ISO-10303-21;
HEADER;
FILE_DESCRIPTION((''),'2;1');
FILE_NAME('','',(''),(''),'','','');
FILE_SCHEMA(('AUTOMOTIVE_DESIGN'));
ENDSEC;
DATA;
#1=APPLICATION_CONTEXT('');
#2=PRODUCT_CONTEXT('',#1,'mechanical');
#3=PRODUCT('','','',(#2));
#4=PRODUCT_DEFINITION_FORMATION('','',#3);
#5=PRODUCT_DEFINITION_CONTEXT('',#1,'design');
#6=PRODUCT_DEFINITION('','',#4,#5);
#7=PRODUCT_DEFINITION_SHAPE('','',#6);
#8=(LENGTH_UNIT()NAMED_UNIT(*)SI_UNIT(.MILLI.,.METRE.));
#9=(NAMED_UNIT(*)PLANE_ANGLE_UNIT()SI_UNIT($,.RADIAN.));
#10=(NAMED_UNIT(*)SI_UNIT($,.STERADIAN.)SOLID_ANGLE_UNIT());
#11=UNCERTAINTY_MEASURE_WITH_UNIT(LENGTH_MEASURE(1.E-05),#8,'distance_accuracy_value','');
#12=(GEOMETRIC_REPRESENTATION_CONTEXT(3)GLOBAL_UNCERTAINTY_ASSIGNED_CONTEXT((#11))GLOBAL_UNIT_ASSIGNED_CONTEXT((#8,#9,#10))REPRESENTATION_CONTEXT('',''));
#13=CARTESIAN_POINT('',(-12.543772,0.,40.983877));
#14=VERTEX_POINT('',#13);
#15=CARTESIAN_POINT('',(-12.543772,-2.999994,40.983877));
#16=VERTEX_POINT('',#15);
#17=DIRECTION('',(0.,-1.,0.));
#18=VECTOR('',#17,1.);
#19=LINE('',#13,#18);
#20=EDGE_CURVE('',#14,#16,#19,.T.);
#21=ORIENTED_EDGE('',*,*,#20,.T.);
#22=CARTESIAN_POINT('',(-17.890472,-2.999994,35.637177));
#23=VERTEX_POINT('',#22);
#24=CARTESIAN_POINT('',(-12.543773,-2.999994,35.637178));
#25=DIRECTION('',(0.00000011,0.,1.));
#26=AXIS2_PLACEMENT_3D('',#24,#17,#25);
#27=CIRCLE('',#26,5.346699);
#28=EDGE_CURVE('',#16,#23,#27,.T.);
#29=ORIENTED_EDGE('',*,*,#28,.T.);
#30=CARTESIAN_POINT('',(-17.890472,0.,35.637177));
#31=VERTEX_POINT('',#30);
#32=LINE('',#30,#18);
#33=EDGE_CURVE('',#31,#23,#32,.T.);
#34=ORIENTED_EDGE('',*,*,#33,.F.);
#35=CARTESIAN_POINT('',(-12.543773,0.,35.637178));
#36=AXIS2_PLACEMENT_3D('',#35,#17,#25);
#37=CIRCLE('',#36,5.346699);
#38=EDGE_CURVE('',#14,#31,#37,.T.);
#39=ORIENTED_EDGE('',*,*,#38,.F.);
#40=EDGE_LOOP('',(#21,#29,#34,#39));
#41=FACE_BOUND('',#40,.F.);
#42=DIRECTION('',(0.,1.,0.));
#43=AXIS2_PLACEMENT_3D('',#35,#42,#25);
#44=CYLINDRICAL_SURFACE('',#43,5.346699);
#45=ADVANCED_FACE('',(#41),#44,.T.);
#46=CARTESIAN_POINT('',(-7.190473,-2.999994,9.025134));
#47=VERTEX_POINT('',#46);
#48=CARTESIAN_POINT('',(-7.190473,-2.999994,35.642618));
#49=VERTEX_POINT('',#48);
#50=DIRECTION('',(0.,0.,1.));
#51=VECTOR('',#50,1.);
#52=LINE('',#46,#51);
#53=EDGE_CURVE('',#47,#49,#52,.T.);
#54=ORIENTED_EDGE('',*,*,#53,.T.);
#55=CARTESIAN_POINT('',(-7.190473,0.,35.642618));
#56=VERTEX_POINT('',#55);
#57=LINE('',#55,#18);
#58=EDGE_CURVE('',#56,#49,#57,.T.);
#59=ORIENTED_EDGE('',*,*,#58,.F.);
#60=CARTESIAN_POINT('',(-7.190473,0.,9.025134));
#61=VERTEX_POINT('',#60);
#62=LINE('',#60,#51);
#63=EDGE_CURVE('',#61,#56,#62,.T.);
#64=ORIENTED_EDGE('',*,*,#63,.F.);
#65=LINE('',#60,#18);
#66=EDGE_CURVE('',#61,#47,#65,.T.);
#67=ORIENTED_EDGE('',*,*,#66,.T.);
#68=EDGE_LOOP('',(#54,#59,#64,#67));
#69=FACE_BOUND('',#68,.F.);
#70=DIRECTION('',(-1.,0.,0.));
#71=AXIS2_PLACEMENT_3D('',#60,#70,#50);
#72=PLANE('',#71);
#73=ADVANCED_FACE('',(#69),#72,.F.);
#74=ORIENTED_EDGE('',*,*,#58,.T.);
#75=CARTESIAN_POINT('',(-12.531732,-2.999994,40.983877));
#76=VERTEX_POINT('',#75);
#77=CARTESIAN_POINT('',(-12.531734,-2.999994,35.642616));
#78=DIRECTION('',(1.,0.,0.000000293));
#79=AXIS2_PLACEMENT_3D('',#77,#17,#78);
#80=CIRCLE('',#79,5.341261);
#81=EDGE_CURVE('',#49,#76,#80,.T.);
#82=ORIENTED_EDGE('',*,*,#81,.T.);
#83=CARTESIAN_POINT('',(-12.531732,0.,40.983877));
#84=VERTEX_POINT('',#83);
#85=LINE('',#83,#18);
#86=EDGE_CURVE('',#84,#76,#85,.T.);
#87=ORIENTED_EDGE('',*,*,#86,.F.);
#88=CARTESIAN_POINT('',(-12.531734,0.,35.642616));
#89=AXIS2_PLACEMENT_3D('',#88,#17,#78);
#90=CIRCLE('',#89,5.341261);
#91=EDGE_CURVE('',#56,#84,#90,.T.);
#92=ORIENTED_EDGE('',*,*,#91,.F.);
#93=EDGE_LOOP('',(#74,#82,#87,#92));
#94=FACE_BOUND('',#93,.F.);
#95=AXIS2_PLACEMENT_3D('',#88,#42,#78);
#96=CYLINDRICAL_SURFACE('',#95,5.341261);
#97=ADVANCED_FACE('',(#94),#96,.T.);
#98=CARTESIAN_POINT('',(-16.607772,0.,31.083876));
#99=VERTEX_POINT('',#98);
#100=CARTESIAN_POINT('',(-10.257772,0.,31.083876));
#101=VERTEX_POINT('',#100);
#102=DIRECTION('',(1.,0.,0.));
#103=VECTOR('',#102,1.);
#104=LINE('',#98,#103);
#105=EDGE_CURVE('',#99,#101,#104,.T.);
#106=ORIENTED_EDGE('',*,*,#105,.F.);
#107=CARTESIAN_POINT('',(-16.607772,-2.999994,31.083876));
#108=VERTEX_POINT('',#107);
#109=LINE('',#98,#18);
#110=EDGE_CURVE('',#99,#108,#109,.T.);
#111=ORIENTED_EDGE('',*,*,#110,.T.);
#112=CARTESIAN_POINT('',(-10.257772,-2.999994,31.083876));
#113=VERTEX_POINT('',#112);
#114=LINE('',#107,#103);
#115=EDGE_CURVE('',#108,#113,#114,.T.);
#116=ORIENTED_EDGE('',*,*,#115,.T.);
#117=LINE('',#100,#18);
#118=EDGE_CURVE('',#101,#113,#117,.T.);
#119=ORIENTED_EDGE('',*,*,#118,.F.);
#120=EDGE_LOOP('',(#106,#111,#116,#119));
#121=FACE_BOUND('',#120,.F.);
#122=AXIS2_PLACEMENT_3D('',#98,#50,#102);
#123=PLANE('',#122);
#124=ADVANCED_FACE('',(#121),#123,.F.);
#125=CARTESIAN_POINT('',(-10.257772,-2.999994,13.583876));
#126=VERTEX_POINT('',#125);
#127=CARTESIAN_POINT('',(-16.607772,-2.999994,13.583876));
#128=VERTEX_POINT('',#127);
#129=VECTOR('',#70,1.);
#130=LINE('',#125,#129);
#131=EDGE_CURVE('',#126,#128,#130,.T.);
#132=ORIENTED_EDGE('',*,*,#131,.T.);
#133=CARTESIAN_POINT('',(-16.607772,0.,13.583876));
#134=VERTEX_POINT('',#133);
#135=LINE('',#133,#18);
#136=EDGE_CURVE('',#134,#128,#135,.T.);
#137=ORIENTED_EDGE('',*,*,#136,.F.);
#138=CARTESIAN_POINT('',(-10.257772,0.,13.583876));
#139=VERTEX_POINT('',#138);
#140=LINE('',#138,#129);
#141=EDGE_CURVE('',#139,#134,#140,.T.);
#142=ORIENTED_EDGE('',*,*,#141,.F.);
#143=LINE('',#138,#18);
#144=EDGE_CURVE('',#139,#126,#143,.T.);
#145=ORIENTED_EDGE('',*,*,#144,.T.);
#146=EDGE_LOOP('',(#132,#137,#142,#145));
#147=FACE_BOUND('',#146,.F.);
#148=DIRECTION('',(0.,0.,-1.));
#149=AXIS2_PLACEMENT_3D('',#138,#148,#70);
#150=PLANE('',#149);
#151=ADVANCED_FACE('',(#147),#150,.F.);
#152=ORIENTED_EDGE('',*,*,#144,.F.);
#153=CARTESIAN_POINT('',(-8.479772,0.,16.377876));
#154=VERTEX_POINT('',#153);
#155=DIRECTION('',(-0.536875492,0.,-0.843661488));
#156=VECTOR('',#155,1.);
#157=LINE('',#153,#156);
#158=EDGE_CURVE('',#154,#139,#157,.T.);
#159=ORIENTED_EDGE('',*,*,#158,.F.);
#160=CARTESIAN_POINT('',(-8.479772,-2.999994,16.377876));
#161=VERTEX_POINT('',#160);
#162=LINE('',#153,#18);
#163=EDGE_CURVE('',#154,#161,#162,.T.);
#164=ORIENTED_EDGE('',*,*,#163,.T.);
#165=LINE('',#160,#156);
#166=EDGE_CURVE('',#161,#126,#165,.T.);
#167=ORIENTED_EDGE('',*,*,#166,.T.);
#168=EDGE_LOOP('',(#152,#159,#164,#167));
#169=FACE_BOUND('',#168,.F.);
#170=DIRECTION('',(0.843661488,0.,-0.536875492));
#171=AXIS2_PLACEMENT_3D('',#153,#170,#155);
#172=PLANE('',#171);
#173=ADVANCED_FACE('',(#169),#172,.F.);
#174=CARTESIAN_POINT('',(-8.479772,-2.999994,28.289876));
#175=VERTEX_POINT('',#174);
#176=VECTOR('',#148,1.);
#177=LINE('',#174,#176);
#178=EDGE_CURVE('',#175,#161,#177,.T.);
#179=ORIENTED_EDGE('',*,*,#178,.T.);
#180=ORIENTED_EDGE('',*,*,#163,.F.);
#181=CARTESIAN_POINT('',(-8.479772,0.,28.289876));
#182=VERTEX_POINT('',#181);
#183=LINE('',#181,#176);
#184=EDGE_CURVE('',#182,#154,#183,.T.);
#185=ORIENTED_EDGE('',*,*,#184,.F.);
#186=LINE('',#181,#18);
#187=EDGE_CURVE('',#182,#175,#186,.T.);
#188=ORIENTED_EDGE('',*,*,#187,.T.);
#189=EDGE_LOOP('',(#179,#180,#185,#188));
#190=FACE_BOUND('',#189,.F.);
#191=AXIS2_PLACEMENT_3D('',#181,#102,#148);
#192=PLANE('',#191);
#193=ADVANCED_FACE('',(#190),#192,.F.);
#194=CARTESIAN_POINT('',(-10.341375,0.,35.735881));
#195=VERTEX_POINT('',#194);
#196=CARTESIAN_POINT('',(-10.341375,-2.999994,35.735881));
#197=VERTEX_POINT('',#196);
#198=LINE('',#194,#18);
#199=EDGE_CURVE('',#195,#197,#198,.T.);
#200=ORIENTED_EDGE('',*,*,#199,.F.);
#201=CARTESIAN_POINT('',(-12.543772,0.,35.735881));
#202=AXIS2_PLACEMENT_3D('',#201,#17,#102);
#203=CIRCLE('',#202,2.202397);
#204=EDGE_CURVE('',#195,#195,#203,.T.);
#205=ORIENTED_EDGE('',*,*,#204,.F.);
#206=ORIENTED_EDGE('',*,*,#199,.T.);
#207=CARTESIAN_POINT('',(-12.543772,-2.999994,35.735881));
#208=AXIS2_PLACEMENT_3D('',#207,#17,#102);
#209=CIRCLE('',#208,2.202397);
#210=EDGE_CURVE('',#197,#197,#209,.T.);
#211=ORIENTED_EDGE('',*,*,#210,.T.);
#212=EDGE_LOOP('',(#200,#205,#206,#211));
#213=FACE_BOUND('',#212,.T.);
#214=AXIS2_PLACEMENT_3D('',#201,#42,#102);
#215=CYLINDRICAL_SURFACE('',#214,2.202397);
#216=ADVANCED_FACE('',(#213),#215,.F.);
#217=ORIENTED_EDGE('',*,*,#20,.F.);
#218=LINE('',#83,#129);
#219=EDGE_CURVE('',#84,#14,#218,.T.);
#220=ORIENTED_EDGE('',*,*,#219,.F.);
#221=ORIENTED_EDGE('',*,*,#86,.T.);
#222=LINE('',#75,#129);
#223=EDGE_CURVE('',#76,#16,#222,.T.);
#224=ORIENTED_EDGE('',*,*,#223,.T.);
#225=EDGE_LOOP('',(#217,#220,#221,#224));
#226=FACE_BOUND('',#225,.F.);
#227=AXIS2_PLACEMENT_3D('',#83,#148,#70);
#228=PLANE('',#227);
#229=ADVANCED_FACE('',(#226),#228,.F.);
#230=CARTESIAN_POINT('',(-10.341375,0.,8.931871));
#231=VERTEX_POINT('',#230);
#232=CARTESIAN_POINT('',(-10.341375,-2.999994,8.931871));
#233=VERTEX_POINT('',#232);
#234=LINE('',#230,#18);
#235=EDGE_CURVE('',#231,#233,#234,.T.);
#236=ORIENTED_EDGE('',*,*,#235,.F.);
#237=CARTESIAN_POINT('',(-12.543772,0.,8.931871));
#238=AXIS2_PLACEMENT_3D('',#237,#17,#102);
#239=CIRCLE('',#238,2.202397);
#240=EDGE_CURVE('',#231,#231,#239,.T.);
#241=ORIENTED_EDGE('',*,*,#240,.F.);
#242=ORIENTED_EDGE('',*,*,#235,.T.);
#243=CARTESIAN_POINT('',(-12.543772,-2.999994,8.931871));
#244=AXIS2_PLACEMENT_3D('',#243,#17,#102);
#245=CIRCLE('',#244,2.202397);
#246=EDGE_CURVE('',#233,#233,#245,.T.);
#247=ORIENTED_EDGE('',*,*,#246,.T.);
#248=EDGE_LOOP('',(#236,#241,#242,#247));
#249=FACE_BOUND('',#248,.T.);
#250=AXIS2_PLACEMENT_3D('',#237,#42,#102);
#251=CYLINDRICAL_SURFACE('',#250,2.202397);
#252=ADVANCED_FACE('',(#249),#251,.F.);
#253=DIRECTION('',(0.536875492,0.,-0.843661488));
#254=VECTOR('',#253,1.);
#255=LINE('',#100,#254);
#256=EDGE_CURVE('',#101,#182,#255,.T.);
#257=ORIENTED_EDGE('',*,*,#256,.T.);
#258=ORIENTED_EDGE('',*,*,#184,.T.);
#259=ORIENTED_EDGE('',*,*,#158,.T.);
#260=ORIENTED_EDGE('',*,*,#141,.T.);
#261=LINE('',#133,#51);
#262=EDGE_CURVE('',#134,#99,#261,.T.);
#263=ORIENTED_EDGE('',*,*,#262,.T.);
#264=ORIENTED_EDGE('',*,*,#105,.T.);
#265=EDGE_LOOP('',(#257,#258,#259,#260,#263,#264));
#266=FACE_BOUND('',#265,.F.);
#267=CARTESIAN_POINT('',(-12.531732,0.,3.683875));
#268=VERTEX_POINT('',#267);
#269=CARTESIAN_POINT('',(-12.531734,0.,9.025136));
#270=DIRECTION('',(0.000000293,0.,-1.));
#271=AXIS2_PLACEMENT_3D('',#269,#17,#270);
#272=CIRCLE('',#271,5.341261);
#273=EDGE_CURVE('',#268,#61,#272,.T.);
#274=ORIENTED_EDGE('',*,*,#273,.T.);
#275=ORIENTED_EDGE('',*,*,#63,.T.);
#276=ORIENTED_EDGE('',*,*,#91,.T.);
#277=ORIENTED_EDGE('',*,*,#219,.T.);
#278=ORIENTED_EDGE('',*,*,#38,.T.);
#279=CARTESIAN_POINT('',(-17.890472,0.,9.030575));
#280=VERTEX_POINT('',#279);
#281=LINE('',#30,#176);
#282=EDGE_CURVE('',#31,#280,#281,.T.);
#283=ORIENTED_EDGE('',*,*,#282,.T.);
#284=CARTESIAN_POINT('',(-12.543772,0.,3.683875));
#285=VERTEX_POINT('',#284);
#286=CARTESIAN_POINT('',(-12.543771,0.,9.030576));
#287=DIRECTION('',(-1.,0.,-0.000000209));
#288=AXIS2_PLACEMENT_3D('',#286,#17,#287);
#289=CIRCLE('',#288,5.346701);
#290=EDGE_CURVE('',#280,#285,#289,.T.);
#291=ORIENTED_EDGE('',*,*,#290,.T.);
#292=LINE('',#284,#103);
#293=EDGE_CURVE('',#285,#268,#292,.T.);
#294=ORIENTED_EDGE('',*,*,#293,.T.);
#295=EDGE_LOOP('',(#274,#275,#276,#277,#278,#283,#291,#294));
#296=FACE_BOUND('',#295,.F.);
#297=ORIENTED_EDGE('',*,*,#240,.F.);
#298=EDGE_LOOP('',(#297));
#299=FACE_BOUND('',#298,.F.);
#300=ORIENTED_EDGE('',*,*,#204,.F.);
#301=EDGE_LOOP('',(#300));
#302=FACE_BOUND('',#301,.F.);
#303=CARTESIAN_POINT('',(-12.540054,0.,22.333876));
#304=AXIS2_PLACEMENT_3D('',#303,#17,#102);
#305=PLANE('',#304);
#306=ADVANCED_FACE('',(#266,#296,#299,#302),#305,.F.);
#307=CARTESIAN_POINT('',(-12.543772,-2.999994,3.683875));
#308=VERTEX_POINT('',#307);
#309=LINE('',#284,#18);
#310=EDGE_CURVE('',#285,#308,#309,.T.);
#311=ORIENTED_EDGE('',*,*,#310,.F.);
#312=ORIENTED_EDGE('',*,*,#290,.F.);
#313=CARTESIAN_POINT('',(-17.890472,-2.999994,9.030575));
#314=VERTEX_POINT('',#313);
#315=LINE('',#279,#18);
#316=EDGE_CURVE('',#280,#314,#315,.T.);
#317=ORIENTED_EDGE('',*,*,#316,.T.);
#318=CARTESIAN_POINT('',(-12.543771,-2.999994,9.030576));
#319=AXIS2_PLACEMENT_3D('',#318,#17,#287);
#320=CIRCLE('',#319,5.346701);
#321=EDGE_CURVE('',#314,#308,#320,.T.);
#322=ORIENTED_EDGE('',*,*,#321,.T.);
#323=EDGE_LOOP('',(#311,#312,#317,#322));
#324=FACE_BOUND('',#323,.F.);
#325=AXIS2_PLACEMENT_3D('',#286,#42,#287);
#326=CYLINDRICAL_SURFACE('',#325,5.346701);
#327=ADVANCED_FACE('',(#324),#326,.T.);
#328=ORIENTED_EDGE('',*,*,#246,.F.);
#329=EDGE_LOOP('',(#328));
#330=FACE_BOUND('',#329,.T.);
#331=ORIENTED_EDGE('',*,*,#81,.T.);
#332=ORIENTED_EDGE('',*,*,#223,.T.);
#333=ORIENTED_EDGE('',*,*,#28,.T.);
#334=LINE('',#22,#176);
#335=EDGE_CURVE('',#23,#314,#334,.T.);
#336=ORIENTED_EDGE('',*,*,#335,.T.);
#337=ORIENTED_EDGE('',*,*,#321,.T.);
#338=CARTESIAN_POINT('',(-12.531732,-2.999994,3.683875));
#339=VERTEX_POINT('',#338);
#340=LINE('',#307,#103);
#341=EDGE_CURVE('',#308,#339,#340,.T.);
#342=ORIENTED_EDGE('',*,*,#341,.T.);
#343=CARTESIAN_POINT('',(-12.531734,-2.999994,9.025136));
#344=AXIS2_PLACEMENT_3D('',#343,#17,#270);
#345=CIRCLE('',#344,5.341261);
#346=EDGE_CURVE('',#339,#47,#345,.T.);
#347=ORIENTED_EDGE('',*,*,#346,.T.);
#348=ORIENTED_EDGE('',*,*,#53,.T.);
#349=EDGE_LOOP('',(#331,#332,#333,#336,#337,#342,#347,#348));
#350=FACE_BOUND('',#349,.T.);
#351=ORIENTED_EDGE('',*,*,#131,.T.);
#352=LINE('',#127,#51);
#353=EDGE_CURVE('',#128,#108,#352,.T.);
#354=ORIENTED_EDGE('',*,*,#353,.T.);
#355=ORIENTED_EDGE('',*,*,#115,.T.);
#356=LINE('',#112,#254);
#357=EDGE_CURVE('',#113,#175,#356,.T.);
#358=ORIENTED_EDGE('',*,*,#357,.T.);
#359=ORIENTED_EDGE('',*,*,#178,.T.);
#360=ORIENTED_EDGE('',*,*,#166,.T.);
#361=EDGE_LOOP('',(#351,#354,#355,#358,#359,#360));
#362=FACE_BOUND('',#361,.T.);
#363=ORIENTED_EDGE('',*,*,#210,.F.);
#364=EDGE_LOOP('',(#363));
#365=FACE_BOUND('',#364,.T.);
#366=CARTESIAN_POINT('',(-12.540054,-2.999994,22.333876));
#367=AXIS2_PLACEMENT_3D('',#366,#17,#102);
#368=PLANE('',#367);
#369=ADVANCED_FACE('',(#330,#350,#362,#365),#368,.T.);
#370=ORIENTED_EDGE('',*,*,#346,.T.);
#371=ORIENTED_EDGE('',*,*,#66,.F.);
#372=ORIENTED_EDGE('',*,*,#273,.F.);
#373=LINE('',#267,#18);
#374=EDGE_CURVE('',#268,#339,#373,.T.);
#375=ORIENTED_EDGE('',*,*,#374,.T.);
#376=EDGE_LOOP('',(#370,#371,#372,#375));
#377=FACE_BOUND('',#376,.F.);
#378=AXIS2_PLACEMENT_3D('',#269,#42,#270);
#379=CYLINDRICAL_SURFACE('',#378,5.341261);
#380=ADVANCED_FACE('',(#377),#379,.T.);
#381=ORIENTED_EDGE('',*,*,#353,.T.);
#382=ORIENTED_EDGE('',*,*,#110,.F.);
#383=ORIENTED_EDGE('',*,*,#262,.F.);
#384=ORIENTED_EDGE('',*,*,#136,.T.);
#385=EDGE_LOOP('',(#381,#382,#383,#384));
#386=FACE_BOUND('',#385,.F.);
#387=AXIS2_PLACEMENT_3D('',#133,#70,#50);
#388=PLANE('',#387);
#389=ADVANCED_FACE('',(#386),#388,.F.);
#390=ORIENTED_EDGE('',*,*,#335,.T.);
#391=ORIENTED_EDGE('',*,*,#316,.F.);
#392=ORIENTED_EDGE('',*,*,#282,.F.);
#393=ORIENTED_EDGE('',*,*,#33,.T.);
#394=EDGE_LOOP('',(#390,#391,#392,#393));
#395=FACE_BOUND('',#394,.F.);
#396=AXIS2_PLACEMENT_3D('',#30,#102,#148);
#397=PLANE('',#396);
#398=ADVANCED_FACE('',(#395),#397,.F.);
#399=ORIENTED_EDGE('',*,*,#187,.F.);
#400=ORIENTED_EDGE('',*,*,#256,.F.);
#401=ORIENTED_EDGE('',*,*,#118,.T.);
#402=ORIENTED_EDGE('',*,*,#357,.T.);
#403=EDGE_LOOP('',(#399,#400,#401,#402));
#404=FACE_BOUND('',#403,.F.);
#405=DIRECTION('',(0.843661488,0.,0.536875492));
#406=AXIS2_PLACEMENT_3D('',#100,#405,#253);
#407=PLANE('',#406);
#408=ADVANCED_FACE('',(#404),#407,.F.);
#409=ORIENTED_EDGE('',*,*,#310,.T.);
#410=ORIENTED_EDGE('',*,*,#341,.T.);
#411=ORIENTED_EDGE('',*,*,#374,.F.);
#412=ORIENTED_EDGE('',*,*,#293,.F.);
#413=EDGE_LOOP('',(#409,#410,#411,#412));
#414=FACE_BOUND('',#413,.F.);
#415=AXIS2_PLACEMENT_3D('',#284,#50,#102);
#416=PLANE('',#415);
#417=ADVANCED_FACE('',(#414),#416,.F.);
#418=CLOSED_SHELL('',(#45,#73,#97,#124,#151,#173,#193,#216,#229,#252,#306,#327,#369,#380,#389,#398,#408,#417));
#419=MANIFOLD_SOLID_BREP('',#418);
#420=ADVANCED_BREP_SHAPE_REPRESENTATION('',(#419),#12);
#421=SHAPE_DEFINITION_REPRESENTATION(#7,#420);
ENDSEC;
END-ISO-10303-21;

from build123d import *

# Parameters (mm, degrees)
F0_R     = 2.202397
F1_DEPTH = 2.999994


with BuildPart() as f1:
    # F0 (on Front) → F1 (new body)
    with BuildSketch(Plane.XZ):
        with BuildLine():
            ThreePointArc((-7.190473, 35.642618), (-8.754892, 39.419458), (-12.531732, 40.983877))
            Line((-12.531732, 40.983877), (-12.543772, 40.983877))
            ThreePointArc((-12.543772, 40.983877), (-16.32446, 39.417865), (-17.890472, 35.637177))
            Line((-17.890472, 35.637177), (-17.890472, 9.030575))
            ThreePointArc((-17.890472, 9.030575), (-16.32446, 5.249888), (-12.543772, 3.683875))
            Line((-12.543772, 3.683875), (-12.531732, 3.683875))
            ThreePointArc((-12.531732, 3.683875), (-8.754892, 5.248294), (-7.190473, 9.025134))
            Line((-7.190473, 9.025134), (-7.190473, 35.642618))
        make_face()
        with Locations((-12.543772, 8.931871)):
            Circle(F0_R, mode=Mode.SUBTRACT)
        Polygon((-8.479772, 16.377876), (-10.257772, 13.583876), (-16.607772, 13.583876), (-16.607772, 31.083876), (-10.257772, 31.083876), (-8.479772, 28.289876), align=None, mode=Mode.SUBTRACT)
        with Locations((-12.543772, 35.735881)):
            Circle(F0_R, mode=Mode.SUBTRACT)
    extrude(amount=F1_DEPTH)


solid = f1.part
